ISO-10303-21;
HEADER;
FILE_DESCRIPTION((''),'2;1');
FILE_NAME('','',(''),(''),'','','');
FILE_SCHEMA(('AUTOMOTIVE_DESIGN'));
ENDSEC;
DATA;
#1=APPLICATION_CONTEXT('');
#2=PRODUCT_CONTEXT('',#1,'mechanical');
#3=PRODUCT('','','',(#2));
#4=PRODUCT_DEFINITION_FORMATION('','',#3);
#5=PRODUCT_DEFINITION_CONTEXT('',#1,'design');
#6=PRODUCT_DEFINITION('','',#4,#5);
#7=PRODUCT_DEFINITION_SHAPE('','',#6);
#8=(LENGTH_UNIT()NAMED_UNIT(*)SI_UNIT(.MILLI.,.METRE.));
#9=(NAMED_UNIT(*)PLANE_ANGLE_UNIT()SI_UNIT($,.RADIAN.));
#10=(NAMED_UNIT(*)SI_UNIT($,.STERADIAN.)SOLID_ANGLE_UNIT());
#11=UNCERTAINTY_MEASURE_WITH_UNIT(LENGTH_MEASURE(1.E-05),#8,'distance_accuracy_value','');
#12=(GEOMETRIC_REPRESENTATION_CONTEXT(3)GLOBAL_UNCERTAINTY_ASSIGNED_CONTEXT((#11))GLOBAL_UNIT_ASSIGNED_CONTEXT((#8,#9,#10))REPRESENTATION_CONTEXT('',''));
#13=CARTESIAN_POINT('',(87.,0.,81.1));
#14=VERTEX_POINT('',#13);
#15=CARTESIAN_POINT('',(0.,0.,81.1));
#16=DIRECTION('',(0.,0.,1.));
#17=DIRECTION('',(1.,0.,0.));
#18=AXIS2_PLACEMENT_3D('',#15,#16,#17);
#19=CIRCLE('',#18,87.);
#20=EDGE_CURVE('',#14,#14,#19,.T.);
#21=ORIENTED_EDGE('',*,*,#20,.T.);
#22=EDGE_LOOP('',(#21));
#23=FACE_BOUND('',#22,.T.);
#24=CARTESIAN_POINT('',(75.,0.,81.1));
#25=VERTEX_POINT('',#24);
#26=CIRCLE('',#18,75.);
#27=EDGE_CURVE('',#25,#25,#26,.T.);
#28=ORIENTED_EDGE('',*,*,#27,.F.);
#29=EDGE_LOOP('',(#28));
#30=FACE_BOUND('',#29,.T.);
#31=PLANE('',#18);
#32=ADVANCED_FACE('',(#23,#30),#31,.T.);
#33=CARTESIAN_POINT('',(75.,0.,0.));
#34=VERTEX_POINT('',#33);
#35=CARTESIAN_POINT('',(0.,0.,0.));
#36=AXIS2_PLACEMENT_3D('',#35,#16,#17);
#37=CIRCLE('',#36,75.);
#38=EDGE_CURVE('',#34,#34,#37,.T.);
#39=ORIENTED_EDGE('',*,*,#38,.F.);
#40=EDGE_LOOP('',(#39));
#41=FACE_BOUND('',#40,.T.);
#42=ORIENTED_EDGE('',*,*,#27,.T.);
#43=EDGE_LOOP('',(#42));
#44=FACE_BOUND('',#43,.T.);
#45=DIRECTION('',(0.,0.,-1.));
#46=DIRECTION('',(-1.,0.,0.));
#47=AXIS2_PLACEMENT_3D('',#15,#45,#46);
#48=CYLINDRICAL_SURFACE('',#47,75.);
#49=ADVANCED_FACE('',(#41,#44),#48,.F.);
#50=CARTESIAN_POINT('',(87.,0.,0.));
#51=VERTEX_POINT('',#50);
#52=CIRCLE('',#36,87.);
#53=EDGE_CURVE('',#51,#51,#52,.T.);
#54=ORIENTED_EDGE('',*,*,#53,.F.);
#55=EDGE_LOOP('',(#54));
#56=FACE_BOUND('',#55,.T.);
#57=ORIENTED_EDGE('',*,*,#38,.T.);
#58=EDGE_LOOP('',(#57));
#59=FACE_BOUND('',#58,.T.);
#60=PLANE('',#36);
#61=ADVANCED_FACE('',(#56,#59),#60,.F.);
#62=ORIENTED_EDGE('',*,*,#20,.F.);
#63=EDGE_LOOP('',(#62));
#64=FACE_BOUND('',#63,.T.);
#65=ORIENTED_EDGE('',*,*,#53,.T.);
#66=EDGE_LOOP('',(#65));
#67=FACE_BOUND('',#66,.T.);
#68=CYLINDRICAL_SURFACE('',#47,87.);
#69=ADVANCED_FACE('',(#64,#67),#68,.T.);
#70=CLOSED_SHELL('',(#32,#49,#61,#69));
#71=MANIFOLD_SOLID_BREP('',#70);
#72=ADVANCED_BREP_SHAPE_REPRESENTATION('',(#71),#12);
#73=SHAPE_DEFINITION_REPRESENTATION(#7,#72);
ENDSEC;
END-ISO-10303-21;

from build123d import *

# Parameters (mm, degrees)
SKETCH1_R           = 87
SKETCH1_R_2         = 75
BOSS_EXTRUDE1_DEPTH = 81.1


with BuildPart() as part:
    # Sketch1 → Boss-Extrude1 (new body)
    with BuildSketch(Plane.XY):
        Circle(SKETCH1_R)
        Circle(SKETCH1_R_2, mode=Mode.SUBTRACT)
    extrude(amount=BOSS_EXTRUDE1_DEPTH)


solid = part.part
